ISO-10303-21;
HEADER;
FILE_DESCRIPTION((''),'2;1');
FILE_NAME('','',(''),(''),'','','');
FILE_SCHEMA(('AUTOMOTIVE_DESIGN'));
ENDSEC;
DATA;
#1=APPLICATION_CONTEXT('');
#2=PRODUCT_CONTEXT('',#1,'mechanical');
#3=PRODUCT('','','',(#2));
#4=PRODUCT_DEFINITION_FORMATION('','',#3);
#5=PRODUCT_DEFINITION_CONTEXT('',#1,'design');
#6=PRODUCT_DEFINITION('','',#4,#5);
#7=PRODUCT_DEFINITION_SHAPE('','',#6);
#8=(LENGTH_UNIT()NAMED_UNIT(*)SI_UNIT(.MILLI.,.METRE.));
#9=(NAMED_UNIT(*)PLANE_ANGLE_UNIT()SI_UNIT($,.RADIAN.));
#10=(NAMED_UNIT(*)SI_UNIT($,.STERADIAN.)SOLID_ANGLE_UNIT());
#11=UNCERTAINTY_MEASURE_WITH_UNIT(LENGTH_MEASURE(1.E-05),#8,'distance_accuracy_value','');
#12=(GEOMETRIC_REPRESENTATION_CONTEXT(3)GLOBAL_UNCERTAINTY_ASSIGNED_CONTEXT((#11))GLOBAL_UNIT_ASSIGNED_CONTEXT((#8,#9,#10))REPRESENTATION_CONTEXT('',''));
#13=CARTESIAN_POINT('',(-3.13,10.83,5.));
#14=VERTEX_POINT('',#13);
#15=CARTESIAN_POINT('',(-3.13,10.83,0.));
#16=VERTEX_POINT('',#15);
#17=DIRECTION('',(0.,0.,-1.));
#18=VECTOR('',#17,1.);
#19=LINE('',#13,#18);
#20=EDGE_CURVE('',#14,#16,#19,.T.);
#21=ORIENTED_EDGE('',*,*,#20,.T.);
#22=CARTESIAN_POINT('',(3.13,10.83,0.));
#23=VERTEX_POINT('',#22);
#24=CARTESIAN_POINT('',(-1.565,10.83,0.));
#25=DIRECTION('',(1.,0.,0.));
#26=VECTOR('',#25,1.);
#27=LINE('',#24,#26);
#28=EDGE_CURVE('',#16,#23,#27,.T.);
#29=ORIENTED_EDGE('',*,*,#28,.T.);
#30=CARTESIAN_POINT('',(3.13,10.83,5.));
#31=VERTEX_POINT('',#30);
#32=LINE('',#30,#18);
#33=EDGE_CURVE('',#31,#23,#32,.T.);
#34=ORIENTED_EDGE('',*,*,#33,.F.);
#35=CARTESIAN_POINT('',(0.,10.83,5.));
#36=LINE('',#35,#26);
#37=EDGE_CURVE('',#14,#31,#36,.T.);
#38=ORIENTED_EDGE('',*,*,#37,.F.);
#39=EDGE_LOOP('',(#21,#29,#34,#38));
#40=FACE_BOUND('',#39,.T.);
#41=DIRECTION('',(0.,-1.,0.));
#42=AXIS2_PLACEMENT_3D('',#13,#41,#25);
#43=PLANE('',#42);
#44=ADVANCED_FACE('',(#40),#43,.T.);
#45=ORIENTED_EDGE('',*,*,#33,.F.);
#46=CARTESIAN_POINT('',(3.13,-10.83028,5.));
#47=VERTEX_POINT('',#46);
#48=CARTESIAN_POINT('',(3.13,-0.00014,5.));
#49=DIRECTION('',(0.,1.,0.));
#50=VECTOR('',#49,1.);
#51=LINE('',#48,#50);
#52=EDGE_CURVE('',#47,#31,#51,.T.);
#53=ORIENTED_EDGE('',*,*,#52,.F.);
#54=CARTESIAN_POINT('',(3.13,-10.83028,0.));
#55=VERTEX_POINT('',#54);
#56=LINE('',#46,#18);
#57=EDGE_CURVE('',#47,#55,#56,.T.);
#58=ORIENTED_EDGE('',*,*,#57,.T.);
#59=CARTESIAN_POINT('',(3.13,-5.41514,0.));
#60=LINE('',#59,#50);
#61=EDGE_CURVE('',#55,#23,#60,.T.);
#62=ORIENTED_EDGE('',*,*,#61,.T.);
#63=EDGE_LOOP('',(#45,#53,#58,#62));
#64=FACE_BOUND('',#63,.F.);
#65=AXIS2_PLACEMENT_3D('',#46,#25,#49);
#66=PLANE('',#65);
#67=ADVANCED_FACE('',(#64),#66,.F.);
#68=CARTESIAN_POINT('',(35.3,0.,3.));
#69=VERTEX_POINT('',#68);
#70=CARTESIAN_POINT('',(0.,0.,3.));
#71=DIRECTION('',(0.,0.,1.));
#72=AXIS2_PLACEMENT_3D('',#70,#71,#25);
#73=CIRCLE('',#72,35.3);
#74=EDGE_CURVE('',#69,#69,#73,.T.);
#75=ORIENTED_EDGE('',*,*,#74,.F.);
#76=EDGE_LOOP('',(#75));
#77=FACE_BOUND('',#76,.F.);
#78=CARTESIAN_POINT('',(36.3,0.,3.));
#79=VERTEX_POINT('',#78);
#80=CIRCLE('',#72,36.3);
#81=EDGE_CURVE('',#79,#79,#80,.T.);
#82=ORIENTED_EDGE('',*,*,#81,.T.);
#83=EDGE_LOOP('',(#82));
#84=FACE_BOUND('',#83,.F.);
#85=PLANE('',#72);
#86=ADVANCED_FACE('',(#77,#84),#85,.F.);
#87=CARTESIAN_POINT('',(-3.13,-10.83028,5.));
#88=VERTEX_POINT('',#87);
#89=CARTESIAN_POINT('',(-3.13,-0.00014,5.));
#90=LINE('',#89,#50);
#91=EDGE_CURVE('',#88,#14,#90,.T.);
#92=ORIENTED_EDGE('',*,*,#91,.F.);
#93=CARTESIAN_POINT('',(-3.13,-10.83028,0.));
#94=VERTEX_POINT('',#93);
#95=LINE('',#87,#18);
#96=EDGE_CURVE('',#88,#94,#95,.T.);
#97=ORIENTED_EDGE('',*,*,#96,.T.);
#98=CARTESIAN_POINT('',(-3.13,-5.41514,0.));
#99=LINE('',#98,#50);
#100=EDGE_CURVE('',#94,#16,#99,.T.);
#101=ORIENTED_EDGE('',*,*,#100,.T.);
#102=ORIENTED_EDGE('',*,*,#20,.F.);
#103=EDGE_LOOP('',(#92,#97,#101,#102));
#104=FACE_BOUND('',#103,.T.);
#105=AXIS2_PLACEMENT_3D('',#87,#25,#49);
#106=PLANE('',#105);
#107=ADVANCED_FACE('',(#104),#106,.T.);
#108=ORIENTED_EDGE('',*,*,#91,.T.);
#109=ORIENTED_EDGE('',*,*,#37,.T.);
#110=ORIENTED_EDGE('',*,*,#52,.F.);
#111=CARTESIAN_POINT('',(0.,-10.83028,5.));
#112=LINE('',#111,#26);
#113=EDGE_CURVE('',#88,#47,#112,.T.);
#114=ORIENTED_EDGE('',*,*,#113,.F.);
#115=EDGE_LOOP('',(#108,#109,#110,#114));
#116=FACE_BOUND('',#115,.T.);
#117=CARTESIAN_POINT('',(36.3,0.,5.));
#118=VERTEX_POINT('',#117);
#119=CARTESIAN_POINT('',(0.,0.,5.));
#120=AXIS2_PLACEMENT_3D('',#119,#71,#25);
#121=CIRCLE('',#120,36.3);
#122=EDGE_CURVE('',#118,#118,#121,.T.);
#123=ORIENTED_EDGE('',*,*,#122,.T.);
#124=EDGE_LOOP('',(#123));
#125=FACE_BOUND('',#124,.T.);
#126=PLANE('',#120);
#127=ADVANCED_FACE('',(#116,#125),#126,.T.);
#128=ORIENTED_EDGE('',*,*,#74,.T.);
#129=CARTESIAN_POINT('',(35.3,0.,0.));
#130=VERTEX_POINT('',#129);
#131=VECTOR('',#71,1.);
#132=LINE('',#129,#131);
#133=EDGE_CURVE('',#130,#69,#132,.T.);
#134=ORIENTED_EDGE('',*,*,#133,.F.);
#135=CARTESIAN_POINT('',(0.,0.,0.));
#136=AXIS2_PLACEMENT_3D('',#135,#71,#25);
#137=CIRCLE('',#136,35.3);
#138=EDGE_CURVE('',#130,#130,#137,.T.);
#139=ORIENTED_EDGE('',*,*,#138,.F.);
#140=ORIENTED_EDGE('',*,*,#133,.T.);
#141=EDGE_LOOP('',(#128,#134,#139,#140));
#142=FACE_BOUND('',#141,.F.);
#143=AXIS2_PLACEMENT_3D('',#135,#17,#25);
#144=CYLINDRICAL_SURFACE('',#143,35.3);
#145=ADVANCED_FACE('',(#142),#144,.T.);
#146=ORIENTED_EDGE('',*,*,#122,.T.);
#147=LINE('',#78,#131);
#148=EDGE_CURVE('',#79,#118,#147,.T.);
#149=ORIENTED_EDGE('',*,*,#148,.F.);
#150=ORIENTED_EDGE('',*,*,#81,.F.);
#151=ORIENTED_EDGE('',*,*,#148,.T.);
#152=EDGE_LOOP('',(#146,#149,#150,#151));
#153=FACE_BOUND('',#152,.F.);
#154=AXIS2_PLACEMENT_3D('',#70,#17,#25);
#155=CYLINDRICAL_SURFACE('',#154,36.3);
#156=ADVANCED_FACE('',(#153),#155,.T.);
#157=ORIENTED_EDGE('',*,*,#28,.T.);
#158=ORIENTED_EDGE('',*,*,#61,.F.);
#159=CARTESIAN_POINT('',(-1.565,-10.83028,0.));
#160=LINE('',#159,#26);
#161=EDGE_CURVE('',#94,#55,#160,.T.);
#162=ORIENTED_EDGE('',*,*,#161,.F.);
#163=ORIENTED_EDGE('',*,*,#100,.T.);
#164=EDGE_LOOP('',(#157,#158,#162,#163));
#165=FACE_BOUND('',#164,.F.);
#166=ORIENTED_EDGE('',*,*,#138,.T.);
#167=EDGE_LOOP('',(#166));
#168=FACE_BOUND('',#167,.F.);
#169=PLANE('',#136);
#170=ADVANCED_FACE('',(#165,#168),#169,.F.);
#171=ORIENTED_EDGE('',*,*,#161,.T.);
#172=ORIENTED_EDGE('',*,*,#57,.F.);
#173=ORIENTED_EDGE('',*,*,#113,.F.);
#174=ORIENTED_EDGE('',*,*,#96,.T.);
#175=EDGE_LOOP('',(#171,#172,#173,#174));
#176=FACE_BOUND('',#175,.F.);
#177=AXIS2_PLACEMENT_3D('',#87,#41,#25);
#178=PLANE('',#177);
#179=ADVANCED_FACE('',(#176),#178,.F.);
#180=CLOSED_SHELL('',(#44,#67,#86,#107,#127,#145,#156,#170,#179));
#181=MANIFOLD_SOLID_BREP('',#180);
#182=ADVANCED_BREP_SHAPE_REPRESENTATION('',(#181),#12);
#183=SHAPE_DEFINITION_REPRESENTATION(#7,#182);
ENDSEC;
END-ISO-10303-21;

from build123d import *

# Parameters (mm, degrees)
F0_R     = 35.3
F1_DEPTH = 3
F3_R     = 36.3
F4_DEPTH = 2
F5_W     = 6.26
F5_H     = 21.66028
F6_DEPTH = 25


with BuildPart() as f1:
    # F0 (on Top) → F1 (new body)
    with BuildSketch(Plane.XY):
        Circle(F0_R)
    extrude(amount=F1_DEPTH)

    # F3 (on offset) → F4 (join)
    with BuildSketch(Plane.XY.offset(3)):
        Circle(F3_R)
    extrude(amount=F4_DEPTH)

    # F5 (on face) → F6 (cut)
    with BuildSketch(Plane.XY.offset(5)):
        with Locations((0, -0.00014)):
            Rectangle(F5_W, F5_H)
    extrude(amount=-F6_DEPTH, mode=Mode.SUBTRACT)


solid = f1.part
